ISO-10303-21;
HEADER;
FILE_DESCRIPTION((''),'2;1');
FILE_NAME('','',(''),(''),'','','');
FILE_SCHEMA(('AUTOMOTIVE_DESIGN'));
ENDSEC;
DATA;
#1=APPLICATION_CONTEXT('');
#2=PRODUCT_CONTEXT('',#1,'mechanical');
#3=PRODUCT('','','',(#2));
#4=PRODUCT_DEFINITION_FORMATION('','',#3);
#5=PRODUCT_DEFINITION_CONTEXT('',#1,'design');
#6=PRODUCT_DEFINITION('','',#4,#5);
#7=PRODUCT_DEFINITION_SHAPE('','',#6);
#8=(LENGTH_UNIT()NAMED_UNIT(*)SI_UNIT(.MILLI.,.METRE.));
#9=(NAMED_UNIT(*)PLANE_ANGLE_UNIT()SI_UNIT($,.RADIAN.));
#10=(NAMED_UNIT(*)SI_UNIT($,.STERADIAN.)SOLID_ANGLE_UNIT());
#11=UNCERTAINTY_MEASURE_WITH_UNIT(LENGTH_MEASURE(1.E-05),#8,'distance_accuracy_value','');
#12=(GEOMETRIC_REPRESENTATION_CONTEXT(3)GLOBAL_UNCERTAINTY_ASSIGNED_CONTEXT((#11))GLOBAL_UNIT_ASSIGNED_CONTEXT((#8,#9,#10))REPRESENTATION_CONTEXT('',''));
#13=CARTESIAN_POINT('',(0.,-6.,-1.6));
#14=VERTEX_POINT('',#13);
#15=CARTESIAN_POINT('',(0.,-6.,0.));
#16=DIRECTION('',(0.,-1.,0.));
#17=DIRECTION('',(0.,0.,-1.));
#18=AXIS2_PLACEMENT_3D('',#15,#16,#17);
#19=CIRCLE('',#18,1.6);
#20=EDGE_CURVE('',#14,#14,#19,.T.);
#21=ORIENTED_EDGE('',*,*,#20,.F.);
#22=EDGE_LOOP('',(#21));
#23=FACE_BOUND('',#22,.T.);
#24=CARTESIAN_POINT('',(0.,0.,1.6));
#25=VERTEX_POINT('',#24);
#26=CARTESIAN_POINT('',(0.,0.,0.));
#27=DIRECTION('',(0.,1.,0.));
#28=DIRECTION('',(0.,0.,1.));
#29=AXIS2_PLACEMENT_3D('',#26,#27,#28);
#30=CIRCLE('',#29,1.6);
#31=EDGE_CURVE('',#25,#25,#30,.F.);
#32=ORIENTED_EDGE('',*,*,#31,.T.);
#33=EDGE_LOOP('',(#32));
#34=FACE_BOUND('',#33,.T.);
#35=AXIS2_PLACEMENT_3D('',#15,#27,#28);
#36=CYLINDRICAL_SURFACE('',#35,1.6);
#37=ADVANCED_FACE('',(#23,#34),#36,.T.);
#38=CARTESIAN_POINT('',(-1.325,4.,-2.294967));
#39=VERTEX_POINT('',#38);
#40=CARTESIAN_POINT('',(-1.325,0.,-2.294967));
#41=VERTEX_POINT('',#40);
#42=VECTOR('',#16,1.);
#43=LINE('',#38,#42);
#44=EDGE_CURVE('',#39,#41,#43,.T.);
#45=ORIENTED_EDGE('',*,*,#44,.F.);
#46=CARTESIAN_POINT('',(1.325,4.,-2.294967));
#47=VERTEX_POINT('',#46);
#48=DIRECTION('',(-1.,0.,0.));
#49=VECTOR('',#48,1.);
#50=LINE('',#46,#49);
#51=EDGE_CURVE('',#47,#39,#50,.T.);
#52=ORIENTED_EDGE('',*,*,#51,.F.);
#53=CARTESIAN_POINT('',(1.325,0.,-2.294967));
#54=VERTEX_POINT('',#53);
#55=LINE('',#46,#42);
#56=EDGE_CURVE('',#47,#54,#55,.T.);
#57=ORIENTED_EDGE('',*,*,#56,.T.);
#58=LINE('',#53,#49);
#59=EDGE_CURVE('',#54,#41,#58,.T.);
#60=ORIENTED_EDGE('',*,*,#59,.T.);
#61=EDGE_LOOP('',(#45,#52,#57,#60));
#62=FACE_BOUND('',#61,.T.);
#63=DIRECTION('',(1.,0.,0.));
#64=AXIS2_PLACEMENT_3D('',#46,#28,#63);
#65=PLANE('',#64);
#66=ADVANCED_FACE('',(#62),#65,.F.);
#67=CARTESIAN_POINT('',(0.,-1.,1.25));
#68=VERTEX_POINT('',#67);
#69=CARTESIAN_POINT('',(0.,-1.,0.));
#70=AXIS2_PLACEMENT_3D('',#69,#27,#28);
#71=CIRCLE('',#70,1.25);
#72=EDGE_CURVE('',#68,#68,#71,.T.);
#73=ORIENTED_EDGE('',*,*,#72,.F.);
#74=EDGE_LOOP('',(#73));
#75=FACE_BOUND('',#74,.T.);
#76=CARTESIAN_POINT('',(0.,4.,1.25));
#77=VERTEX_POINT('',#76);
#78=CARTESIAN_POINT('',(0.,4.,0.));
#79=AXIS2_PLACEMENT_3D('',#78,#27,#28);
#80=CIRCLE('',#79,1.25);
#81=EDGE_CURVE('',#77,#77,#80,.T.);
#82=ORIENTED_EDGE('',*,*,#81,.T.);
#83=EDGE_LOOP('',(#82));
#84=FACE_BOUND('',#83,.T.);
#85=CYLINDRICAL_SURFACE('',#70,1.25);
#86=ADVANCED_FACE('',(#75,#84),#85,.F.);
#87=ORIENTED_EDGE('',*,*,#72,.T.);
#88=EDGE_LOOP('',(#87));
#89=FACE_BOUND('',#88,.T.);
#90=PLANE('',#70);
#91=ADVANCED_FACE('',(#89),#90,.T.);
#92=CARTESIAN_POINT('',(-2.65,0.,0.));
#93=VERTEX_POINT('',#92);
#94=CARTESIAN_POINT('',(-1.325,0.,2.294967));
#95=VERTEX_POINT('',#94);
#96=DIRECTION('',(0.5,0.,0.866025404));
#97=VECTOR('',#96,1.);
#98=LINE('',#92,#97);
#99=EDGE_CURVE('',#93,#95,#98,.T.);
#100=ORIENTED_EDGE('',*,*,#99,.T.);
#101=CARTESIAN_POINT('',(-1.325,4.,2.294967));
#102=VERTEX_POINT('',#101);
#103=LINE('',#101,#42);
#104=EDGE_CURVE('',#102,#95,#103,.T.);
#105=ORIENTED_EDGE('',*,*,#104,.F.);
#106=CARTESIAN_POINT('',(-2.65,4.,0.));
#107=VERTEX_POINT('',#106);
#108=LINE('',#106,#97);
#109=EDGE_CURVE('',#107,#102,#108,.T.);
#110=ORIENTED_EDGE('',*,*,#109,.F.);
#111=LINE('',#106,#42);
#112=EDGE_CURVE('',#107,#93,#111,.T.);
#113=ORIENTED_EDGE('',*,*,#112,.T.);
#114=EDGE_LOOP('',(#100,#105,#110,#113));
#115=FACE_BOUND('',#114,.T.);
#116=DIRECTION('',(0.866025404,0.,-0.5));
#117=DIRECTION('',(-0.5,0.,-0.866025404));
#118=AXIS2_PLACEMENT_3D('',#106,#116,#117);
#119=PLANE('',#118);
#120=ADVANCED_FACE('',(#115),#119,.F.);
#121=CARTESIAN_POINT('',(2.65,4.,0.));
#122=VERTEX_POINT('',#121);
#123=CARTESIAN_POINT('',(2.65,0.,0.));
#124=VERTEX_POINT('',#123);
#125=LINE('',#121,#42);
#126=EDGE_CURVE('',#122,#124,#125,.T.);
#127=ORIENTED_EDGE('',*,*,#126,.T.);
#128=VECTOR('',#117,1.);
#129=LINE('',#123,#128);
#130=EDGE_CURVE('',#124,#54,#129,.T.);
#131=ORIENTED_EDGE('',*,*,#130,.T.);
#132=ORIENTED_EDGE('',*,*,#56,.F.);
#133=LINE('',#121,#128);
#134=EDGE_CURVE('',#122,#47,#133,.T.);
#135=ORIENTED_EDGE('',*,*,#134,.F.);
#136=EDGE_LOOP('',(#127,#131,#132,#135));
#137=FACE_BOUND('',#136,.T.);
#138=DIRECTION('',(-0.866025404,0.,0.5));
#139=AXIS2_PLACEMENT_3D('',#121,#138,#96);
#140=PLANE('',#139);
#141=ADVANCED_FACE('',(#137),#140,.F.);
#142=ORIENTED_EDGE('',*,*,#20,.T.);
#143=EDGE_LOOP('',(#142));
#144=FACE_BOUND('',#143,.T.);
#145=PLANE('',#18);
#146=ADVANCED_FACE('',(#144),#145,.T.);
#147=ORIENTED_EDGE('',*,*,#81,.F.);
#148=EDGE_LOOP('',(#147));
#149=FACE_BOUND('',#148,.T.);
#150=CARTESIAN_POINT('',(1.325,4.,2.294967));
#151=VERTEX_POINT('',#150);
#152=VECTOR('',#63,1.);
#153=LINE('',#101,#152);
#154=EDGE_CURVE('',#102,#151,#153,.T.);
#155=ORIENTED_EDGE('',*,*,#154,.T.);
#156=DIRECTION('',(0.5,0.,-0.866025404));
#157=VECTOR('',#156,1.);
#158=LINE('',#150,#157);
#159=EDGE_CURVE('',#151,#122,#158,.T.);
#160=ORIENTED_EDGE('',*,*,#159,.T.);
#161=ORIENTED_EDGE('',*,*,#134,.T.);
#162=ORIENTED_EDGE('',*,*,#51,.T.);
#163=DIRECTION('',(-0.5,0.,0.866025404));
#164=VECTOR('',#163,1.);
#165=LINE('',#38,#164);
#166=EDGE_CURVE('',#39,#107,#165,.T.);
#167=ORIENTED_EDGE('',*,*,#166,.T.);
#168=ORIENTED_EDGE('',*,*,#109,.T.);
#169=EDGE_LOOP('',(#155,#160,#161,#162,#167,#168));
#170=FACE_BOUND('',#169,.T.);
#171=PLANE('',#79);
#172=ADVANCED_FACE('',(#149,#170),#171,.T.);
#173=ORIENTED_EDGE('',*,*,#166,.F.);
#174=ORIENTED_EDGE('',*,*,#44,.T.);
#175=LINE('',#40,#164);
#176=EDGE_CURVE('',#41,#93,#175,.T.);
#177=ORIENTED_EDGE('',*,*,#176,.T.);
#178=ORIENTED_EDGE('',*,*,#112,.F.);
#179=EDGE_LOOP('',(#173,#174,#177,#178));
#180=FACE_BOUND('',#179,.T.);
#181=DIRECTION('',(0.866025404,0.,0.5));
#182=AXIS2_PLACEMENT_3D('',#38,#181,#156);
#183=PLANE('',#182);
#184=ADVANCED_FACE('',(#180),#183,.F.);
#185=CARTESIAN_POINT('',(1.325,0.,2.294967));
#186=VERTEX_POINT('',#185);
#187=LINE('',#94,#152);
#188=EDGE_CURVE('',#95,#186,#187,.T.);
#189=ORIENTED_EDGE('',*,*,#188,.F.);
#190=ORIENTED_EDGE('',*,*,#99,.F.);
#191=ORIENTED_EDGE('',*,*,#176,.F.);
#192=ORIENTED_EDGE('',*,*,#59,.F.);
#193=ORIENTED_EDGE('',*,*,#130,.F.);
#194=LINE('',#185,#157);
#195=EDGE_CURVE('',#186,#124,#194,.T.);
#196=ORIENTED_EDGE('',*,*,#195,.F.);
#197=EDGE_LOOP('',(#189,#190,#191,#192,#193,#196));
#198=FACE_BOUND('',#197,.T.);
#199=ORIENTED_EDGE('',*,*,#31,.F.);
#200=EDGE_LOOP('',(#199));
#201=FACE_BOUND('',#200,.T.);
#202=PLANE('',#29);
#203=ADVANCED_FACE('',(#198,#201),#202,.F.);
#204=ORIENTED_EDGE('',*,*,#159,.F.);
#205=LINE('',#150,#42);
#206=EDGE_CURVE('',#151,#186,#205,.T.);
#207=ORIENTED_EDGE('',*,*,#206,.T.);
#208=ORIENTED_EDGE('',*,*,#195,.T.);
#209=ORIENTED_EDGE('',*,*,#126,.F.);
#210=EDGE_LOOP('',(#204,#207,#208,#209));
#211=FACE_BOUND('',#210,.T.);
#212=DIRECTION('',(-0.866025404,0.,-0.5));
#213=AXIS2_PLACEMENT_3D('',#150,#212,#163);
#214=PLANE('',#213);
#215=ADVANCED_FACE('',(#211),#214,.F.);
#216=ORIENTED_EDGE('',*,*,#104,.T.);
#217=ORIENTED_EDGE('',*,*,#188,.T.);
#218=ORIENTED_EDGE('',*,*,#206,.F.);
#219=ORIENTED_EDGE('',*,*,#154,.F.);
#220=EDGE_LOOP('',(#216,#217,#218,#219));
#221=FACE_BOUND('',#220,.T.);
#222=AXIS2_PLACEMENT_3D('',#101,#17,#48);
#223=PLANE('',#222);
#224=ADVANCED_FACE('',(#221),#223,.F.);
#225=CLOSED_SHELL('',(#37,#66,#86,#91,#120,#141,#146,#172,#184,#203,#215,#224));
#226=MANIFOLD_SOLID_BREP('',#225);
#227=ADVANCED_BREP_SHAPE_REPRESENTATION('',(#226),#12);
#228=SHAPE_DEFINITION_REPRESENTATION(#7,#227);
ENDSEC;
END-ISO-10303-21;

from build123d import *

# Parameters (mm, degrees)
EXTRUDE_1_DEPTH     = 4
SKETCH_6_R          = 1.6
EXTRUDE_2_DEPTH     = 6
SKETCH_7_R          = 1.25
CUT_EXTRUDE_1_DEPTH = 5


with BuildPart() as part:
    # 草图4 → 凸台-拉伸1 (new body)
    with BuildSketch(Plane(origin=(0, 0, 0), x_dir=(1, 0, 0), z_dir=(0, 1, 0))):
        Polygon((1.325, -2.29496732), (2.65, 0), (1.325, 2.29496732), (-1.325, 2.29496732), (-2.65, 0), (-1.325, -2.29496732), align=None)
    extrude(amount=EXTRUDE_1_DEPTH)

    # 草图6 → 凸台-拉伸2 (add)
    with BuildSketch(Plane(origin=(0, 0, 0), x_dir=(-1, 0, 0), z_dir=(0, -1, 0))):
        with Locations(Location((0, 0, 0), (0, 0, 270))):
            Circle(SKETCH_6_R)
    extrude(amount=EXTRUDE_2_DEPTH)

    # 草图7 → 切除-拉伸1 (cut)
    with BuildSketch(Plane(origin=(0, 4, 0), x_dir=(1, 0, 0), z_dir=(0, 1, 0))):
        with Locations(Location((0, 0, 0), (0, 0, 270))):
            Circle(SKETCH_7_R)
    extrude(amount=-CUT_EXTRUDE_1_DEPTH, mode=Mode.SUBTRACT)


solid = part.part
